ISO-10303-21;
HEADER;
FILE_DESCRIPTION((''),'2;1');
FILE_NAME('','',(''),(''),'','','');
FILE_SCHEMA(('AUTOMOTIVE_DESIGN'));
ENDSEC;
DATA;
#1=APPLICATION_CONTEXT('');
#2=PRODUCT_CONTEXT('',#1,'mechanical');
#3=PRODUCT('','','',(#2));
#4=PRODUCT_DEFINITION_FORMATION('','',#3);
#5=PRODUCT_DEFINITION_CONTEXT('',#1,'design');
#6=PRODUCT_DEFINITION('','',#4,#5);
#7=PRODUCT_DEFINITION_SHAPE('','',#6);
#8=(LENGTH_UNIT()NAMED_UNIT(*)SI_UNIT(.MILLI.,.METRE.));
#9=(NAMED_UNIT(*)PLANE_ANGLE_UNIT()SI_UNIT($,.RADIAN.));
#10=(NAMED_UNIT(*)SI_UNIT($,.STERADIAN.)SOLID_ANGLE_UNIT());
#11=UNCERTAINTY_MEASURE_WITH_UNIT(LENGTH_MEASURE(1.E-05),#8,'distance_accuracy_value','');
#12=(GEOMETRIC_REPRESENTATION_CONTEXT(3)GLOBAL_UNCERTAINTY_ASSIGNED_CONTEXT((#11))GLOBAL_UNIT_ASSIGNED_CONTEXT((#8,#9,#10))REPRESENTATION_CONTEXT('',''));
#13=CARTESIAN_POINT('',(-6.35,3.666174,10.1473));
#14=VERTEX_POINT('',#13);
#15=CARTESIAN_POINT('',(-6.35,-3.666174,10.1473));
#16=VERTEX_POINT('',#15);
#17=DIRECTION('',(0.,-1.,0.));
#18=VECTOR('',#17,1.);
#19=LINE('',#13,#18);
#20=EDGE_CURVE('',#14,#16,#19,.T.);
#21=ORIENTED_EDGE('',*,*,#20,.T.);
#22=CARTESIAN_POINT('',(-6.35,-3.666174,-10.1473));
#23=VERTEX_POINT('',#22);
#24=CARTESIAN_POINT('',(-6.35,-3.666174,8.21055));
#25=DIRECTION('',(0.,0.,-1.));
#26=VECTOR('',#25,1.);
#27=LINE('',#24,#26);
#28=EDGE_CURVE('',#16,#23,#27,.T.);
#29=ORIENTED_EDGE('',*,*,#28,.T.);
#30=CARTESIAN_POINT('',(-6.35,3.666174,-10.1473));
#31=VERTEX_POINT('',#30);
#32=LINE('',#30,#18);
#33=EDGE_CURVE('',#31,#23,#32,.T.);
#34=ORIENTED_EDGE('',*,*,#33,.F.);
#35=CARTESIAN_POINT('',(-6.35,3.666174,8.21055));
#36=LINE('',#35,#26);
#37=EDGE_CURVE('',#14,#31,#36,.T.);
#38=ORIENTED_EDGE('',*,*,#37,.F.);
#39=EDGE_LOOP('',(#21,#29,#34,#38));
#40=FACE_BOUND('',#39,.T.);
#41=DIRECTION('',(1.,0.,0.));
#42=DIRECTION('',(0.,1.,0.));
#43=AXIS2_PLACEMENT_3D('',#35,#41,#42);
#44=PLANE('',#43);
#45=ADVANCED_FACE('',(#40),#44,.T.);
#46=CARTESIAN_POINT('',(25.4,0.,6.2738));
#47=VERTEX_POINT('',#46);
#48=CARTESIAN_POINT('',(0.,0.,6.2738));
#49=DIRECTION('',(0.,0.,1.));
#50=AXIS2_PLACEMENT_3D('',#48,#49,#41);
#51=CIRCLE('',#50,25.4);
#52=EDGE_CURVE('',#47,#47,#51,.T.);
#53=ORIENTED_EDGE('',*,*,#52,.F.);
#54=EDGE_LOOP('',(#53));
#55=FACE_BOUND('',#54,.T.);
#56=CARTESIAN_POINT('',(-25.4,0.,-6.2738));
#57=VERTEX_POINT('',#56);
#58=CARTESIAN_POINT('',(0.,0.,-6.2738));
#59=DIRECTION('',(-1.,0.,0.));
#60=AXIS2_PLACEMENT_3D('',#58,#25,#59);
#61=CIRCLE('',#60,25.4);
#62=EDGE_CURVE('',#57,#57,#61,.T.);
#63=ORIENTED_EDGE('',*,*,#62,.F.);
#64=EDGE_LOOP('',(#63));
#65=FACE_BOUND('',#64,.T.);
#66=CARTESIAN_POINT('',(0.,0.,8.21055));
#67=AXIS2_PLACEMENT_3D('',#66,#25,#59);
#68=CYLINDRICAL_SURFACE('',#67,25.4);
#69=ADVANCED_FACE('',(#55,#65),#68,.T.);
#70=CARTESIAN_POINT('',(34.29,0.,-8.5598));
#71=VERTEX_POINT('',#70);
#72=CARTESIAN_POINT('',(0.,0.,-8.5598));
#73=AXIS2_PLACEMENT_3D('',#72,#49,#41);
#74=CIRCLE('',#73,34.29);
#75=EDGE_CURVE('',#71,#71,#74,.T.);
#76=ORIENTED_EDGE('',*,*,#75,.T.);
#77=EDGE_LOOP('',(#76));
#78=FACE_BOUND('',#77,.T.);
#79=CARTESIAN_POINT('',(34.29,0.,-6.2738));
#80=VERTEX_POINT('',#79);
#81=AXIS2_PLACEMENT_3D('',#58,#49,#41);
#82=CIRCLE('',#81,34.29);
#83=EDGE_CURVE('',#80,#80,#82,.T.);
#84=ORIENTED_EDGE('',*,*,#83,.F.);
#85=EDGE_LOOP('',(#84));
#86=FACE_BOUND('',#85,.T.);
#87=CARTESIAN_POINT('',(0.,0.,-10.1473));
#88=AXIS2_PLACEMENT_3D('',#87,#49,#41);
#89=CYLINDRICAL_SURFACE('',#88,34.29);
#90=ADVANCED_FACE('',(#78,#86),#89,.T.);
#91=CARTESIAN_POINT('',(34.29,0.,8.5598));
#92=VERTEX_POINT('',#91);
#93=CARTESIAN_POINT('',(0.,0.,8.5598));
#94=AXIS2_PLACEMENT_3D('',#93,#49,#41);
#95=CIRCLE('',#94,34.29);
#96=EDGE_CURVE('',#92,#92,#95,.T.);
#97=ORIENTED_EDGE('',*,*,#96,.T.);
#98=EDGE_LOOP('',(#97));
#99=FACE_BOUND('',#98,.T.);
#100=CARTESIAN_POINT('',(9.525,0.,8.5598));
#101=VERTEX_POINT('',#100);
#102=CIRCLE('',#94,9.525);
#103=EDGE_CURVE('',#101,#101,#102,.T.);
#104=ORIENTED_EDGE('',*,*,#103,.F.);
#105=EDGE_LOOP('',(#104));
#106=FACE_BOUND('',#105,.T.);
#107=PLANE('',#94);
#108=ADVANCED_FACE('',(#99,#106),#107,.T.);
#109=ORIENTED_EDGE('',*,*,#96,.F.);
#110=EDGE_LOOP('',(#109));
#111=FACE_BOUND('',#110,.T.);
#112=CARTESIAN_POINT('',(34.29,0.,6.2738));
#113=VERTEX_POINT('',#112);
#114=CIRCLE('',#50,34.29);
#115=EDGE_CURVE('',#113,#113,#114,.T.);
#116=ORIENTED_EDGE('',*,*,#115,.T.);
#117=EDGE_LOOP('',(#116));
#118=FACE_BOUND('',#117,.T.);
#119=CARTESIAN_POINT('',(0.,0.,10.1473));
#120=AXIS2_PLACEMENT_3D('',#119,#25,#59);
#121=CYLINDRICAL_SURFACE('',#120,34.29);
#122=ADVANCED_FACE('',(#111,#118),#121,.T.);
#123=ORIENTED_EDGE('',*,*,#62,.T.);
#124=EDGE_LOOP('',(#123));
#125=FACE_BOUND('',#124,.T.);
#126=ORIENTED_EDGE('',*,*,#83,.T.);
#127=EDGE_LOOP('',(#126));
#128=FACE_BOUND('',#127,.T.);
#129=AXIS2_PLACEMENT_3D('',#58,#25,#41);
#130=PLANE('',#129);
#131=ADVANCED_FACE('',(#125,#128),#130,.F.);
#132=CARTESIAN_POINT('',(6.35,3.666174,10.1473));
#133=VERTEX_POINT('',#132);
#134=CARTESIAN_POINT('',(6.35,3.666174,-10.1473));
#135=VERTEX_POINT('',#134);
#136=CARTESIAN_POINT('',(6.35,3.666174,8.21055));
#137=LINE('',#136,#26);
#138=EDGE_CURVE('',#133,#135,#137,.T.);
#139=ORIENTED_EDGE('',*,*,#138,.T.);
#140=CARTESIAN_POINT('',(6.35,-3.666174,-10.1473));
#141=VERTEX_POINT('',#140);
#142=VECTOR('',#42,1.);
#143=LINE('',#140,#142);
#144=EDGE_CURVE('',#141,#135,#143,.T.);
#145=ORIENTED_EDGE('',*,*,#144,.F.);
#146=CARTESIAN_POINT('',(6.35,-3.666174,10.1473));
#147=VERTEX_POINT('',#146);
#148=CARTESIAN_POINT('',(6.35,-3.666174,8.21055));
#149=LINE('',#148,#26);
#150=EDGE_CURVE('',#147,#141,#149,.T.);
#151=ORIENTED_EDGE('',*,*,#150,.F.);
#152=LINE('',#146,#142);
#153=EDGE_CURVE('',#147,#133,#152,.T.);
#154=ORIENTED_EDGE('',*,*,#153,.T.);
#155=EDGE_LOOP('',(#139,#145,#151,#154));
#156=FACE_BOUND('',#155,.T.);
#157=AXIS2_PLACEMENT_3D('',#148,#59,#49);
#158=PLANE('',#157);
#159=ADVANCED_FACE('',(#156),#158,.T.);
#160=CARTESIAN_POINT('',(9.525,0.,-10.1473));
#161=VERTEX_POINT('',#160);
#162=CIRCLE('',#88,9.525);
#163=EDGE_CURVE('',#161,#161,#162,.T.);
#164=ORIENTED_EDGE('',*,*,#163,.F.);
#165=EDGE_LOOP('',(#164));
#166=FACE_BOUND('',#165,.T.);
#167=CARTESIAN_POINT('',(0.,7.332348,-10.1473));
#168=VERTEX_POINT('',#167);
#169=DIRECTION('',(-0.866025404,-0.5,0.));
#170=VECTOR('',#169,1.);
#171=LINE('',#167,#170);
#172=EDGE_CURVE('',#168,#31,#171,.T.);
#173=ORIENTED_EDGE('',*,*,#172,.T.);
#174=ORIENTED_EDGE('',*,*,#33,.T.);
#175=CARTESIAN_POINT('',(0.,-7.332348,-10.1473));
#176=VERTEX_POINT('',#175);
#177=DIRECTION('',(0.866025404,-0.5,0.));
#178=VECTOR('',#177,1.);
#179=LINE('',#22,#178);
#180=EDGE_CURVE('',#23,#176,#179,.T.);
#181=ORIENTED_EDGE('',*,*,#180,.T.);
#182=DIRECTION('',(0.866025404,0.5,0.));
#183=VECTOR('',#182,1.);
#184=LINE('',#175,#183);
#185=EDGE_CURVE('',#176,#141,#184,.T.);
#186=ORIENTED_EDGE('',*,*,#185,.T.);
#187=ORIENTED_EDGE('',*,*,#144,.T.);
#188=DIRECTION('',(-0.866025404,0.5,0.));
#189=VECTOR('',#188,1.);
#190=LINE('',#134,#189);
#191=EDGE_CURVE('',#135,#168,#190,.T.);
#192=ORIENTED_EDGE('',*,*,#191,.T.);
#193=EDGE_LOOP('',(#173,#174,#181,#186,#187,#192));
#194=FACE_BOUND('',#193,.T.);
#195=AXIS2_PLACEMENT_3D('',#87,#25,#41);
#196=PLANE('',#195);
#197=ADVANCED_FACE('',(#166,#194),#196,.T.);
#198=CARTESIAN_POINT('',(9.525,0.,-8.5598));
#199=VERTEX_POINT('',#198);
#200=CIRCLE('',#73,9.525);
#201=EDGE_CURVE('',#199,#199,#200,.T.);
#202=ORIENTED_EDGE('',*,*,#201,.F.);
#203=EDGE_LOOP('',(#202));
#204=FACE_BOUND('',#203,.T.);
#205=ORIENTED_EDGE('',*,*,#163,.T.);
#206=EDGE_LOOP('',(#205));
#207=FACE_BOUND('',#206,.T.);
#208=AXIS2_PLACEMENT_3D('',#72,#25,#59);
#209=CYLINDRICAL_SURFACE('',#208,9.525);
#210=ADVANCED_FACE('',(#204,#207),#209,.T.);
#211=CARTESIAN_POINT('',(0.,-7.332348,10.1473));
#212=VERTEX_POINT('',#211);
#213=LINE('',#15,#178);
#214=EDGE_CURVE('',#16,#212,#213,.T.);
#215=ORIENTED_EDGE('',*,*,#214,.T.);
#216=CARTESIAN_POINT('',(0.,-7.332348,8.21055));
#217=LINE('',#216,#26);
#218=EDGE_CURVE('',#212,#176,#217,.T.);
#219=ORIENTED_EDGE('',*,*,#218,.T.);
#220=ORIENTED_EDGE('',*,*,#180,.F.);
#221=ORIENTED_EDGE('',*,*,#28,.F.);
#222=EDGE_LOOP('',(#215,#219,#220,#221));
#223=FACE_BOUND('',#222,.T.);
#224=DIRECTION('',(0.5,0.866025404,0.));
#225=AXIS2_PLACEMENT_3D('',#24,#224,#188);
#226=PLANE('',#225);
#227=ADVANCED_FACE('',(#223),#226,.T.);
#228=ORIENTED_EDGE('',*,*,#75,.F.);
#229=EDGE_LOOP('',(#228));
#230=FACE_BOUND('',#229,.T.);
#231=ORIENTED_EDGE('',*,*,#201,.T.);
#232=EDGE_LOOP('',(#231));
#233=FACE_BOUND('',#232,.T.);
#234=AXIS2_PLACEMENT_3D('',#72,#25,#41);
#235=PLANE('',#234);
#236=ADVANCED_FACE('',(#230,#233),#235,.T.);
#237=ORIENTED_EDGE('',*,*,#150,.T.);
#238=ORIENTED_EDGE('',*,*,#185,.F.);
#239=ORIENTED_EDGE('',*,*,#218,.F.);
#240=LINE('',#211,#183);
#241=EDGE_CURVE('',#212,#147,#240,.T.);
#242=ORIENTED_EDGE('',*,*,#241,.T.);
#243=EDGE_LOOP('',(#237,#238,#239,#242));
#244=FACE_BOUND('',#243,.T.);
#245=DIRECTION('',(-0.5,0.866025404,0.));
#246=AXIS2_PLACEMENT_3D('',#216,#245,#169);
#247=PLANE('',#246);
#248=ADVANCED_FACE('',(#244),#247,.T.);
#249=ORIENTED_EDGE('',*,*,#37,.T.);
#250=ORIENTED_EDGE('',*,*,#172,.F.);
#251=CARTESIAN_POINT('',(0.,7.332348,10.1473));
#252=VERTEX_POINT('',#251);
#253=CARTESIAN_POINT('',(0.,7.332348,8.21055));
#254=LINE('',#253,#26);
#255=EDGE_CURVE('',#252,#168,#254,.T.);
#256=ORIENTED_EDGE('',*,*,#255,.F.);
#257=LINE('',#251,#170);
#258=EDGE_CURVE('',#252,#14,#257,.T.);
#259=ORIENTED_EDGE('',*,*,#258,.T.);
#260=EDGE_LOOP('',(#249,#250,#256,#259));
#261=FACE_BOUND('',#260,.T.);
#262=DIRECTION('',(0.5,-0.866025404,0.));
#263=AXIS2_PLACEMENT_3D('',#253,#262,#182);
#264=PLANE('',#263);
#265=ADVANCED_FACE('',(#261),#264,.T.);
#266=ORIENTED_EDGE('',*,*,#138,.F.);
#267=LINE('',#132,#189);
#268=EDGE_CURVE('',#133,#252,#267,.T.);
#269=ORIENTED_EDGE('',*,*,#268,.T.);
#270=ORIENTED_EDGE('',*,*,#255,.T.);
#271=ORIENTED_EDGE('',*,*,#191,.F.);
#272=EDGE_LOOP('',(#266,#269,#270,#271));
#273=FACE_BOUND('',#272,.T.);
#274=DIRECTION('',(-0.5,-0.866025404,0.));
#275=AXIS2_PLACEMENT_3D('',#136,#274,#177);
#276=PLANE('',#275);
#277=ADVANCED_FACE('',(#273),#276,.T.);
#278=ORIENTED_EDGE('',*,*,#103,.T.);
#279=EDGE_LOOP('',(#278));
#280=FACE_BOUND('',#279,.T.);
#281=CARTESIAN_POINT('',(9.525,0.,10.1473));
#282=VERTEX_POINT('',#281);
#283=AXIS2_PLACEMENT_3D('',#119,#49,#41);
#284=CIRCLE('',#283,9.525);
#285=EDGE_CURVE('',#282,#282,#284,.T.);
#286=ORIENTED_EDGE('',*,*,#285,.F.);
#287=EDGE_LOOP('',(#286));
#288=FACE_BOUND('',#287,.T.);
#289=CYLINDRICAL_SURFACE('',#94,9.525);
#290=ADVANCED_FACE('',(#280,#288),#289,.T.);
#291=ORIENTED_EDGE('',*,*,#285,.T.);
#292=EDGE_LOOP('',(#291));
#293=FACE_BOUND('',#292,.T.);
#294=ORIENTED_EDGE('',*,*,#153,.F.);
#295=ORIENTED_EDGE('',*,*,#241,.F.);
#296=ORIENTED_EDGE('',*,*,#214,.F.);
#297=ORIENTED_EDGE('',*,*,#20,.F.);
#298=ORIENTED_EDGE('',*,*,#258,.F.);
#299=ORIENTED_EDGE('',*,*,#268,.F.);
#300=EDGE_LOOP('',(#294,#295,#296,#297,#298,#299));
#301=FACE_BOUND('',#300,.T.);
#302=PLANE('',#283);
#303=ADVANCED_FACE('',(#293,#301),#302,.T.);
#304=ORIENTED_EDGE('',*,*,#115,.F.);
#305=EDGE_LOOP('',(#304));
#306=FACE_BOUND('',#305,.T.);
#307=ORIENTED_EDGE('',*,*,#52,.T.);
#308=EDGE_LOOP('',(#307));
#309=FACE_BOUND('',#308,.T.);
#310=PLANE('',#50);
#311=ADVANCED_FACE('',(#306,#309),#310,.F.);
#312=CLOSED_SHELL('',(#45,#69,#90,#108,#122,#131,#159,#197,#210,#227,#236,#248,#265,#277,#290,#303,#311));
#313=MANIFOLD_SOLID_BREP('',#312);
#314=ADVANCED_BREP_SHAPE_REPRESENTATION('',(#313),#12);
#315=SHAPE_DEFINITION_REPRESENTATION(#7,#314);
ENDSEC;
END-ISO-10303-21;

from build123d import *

# Parameters (mm, degrees)
SKETCH2_R           = 25.4
BOSS_EXTRUDE3_DEPTH = 8.21055
SKETCH3_R           = 34.29
BOSS_EXTRUDE4_DEPTH = 1.93675
SKETCH4_R           = 34.29
SKETCH4_R_2         = 9.525
CUT_EXTRUDE1_DEPTH  = 1.5875


with BuildPart() as part:
    # Sketch2 → Boss-Extrude3 (new, symmetric)
    with BuildSketch(Plane.XY):
        Circle(SKETCH2_R)
        Polygon((0, 7.332348419), (-6.35, 3.666174209), (-6.35, -3.666174209), (0, -7.332348419), (6.35, -3.666174209), (6.35, 3.666174209), align=None, mode=Mode.SUBTRACT)
    extrude(amount=BOSS_EXTRUDE3_DEPTH, both=True)

    # Sketch3 → Boss-Extrude4 (add, symmetric)
    with BuildSketch(Plane.XY.offset(8.21055)):
        Circle(SKETCH3_R)
        Polygon((0, 7.332348419), (-6.35, 3.666174209), (-6.35, -3.666174209), (0, -7.332348419), (6.35, -3.666174209), (6.35, 3.666174209), align=None, mode=Mode.SUBTRACT)
    boss_extrude4 = extrude(amount=BOSS_EXTRUDE4_DEPTH, both=True)

    # Sketch4 → Cut-Extrude1 (cut)
    with BuildSketch(Plane.XY.offset(10.1473)):
        Circle(SKETCH4_R)
        Circle(SKETCH4_R_2, mode=Mode.SUBTRACT)
    cut_extrude1 = extrude(amount=-CUT_EXTRUDE1_DEPTH, mode=Mode.SUBTRACT)

    # Mirror1: Boss-Extrude4, Cut-Extrude1 across plane
    add(boss_extrude4.mirror(Plane.XY))
    add(cut_extrude1.mirror(Plane.XY), mode=Mode.SUBTRACT)


solid = part.part
